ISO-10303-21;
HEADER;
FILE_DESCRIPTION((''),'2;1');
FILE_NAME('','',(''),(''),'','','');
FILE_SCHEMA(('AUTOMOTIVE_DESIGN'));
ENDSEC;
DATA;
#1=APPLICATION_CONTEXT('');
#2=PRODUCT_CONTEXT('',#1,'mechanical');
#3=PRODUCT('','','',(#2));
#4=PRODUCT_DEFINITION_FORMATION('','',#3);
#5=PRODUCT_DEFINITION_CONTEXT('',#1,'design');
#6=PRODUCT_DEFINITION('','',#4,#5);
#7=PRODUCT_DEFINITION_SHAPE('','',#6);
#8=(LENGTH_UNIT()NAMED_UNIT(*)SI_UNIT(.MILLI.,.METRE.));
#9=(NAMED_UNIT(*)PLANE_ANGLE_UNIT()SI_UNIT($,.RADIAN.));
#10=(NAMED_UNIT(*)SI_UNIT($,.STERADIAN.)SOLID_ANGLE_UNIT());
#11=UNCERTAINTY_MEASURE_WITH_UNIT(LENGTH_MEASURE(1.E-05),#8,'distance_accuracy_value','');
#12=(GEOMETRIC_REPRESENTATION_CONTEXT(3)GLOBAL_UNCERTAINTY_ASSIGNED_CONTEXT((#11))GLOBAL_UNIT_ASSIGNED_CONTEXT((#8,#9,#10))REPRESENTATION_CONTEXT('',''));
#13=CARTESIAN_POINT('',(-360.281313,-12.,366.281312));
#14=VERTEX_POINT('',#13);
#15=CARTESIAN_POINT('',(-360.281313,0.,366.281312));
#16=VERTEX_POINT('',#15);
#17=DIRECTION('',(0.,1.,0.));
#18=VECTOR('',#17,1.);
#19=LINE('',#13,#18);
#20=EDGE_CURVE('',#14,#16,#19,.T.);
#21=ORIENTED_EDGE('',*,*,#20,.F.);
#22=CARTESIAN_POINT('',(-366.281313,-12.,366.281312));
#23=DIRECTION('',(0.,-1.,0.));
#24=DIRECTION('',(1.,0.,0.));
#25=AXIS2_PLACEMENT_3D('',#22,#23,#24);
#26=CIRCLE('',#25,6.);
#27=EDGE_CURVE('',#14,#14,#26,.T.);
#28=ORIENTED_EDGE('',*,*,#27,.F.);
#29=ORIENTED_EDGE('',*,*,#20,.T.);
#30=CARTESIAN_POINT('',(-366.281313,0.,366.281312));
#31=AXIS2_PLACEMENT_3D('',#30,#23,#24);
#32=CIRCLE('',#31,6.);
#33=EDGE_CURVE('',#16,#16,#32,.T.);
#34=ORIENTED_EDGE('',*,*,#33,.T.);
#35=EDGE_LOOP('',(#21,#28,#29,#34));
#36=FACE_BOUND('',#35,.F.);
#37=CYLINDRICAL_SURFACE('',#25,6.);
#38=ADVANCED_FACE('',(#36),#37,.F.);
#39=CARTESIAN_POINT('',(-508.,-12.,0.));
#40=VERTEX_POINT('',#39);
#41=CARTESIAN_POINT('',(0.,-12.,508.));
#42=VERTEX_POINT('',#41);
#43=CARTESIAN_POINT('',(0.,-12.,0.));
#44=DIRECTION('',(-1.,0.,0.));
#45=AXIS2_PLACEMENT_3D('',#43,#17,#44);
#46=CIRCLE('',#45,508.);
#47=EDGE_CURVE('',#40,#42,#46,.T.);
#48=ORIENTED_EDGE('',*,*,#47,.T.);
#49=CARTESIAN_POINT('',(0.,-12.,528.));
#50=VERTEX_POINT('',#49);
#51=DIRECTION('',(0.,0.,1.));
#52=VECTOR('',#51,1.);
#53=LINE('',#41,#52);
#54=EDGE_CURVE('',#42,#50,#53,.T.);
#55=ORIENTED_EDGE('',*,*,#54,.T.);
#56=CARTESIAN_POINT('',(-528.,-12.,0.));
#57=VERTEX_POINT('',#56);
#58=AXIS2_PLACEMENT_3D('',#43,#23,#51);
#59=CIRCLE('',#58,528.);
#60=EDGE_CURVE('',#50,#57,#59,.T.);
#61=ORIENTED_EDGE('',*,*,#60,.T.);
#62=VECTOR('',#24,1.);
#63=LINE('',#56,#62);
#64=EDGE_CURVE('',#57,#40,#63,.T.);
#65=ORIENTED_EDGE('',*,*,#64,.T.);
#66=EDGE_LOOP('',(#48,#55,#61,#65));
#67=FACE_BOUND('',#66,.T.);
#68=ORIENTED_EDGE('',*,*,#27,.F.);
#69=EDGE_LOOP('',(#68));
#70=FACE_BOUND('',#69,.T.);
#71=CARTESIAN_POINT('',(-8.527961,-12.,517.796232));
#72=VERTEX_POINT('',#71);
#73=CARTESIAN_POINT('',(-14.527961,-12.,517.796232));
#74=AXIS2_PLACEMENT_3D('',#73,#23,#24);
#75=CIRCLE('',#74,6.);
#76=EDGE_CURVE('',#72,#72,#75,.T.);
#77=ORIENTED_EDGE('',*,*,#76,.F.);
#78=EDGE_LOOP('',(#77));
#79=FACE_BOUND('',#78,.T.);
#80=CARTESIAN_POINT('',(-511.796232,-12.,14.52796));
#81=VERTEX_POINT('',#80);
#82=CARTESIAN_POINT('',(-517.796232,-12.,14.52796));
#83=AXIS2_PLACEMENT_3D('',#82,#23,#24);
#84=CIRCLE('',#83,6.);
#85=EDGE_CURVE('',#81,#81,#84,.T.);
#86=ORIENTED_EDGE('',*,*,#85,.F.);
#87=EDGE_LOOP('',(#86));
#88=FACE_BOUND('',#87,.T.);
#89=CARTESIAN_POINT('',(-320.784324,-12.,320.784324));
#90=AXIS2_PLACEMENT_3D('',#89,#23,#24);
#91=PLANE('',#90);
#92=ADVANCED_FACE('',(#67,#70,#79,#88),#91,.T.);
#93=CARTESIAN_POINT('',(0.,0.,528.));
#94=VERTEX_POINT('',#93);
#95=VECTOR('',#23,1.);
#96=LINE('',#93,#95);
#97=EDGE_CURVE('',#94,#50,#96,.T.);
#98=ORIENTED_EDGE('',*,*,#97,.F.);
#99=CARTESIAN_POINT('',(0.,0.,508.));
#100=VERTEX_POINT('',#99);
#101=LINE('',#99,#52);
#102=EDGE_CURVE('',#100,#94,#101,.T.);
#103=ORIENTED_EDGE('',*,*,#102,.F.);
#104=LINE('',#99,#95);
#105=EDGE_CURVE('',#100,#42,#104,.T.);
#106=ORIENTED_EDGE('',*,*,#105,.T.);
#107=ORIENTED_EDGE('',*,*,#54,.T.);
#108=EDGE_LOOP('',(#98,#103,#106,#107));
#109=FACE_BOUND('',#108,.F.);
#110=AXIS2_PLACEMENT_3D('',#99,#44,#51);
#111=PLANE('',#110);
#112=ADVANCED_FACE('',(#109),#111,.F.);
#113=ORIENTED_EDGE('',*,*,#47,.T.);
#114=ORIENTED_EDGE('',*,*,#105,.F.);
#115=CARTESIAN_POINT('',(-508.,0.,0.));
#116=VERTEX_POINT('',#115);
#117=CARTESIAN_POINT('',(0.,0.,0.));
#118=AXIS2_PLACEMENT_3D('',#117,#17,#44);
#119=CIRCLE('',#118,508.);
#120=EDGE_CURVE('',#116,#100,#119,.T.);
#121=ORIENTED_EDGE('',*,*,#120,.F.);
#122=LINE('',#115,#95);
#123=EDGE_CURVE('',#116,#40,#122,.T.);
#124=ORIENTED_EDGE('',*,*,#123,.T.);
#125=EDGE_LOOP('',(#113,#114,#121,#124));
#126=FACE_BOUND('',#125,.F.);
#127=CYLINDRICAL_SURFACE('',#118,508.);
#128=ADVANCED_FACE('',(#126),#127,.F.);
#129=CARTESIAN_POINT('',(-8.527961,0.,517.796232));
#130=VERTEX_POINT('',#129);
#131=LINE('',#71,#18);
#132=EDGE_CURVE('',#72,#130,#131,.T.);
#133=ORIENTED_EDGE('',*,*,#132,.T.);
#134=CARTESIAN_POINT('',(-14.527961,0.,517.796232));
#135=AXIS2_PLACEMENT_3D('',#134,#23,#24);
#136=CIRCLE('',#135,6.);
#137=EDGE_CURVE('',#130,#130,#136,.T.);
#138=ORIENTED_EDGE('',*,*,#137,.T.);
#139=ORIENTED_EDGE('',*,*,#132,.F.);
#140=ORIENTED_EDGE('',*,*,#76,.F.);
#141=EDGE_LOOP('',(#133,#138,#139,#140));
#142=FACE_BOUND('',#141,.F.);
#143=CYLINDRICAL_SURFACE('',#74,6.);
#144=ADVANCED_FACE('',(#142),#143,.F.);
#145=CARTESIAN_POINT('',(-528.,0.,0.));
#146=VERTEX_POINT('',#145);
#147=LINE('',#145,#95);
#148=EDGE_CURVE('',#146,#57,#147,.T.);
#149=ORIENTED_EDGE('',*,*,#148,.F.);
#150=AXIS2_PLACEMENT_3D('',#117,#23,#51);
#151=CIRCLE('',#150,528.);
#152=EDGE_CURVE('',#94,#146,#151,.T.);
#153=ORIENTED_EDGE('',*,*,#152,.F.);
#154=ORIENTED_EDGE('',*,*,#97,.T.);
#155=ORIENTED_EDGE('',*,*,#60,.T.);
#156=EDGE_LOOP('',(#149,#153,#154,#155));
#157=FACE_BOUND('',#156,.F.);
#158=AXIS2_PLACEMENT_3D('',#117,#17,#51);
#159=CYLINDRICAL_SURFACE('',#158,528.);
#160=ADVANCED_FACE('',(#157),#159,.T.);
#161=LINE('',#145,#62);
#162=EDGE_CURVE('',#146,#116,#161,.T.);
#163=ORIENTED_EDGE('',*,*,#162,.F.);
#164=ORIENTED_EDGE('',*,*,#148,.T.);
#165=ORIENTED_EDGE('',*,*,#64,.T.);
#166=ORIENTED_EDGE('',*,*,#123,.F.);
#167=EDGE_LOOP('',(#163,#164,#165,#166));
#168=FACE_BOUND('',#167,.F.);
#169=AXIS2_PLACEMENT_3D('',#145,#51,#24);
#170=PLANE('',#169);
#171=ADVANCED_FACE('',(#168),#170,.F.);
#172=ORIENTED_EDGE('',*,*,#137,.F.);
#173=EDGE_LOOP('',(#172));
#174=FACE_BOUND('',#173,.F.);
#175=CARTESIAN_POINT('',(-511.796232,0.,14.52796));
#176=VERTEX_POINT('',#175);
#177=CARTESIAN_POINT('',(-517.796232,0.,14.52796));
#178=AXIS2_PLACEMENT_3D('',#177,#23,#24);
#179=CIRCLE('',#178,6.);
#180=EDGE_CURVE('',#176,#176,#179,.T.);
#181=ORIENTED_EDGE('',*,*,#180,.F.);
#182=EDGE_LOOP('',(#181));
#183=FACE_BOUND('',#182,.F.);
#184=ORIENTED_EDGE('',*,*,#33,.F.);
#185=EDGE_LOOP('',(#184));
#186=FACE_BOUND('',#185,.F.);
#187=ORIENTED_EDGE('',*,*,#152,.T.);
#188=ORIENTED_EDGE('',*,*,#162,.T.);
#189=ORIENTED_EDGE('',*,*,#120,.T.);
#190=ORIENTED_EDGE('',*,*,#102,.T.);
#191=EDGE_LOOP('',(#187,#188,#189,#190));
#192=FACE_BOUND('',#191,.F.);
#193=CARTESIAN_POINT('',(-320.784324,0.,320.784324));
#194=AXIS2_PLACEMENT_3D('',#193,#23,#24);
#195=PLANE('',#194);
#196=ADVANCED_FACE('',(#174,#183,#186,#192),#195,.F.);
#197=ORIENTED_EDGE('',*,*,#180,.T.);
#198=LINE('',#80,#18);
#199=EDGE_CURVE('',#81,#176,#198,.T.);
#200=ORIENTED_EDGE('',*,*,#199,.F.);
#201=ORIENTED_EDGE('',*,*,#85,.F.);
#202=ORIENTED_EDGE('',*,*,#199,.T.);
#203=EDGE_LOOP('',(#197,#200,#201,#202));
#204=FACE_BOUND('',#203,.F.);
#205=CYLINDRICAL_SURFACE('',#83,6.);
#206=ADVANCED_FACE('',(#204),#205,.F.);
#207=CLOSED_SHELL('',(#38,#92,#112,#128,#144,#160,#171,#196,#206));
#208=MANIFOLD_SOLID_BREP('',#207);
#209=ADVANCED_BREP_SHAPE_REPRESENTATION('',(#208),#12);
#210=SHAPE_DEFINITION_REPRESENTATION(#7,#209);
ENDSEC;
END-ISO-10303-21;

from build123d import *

# Parameters (mm, degrees)
F1_DEPTH = 12
F2_R     = 6
F3_DEPTH = 12.001


with BuildPart() as f1:
    # F0 (on Front) → F1 (new body)
    with BuildSketch(Plane.XZ):
        with BuildLine():
            ThreePointArc((-508, 0), (-359.2102448428, 359.2102448428), (0, 508))
            Line((0, 508), (0, 528))
            ThreePointArc((0, 528), (-373.3523804665, 373.3523804665), (-528, 0))
            Line((-528, 0), (-508, 0))
        make_face()
    extrude(amount=F1_DEPTH)

    # F2 (on face) → F3 (cut, through all)
    with BuildSketch(Plane.XZ.offset(12)):
        with Locations((-14.5279611382, 517.7962324556)):
            Circle(F2_R)
        with Locations((-366.2813129743, 366.281312335)):
            Circle(F2_R)
        with Locations((-517.7962324809, 14.5279602345)):
            Circle(F2_R)
    extrude(amount=-F3_DEPTH, mode=Mode.SUBTRACT)


solid = f1.part
